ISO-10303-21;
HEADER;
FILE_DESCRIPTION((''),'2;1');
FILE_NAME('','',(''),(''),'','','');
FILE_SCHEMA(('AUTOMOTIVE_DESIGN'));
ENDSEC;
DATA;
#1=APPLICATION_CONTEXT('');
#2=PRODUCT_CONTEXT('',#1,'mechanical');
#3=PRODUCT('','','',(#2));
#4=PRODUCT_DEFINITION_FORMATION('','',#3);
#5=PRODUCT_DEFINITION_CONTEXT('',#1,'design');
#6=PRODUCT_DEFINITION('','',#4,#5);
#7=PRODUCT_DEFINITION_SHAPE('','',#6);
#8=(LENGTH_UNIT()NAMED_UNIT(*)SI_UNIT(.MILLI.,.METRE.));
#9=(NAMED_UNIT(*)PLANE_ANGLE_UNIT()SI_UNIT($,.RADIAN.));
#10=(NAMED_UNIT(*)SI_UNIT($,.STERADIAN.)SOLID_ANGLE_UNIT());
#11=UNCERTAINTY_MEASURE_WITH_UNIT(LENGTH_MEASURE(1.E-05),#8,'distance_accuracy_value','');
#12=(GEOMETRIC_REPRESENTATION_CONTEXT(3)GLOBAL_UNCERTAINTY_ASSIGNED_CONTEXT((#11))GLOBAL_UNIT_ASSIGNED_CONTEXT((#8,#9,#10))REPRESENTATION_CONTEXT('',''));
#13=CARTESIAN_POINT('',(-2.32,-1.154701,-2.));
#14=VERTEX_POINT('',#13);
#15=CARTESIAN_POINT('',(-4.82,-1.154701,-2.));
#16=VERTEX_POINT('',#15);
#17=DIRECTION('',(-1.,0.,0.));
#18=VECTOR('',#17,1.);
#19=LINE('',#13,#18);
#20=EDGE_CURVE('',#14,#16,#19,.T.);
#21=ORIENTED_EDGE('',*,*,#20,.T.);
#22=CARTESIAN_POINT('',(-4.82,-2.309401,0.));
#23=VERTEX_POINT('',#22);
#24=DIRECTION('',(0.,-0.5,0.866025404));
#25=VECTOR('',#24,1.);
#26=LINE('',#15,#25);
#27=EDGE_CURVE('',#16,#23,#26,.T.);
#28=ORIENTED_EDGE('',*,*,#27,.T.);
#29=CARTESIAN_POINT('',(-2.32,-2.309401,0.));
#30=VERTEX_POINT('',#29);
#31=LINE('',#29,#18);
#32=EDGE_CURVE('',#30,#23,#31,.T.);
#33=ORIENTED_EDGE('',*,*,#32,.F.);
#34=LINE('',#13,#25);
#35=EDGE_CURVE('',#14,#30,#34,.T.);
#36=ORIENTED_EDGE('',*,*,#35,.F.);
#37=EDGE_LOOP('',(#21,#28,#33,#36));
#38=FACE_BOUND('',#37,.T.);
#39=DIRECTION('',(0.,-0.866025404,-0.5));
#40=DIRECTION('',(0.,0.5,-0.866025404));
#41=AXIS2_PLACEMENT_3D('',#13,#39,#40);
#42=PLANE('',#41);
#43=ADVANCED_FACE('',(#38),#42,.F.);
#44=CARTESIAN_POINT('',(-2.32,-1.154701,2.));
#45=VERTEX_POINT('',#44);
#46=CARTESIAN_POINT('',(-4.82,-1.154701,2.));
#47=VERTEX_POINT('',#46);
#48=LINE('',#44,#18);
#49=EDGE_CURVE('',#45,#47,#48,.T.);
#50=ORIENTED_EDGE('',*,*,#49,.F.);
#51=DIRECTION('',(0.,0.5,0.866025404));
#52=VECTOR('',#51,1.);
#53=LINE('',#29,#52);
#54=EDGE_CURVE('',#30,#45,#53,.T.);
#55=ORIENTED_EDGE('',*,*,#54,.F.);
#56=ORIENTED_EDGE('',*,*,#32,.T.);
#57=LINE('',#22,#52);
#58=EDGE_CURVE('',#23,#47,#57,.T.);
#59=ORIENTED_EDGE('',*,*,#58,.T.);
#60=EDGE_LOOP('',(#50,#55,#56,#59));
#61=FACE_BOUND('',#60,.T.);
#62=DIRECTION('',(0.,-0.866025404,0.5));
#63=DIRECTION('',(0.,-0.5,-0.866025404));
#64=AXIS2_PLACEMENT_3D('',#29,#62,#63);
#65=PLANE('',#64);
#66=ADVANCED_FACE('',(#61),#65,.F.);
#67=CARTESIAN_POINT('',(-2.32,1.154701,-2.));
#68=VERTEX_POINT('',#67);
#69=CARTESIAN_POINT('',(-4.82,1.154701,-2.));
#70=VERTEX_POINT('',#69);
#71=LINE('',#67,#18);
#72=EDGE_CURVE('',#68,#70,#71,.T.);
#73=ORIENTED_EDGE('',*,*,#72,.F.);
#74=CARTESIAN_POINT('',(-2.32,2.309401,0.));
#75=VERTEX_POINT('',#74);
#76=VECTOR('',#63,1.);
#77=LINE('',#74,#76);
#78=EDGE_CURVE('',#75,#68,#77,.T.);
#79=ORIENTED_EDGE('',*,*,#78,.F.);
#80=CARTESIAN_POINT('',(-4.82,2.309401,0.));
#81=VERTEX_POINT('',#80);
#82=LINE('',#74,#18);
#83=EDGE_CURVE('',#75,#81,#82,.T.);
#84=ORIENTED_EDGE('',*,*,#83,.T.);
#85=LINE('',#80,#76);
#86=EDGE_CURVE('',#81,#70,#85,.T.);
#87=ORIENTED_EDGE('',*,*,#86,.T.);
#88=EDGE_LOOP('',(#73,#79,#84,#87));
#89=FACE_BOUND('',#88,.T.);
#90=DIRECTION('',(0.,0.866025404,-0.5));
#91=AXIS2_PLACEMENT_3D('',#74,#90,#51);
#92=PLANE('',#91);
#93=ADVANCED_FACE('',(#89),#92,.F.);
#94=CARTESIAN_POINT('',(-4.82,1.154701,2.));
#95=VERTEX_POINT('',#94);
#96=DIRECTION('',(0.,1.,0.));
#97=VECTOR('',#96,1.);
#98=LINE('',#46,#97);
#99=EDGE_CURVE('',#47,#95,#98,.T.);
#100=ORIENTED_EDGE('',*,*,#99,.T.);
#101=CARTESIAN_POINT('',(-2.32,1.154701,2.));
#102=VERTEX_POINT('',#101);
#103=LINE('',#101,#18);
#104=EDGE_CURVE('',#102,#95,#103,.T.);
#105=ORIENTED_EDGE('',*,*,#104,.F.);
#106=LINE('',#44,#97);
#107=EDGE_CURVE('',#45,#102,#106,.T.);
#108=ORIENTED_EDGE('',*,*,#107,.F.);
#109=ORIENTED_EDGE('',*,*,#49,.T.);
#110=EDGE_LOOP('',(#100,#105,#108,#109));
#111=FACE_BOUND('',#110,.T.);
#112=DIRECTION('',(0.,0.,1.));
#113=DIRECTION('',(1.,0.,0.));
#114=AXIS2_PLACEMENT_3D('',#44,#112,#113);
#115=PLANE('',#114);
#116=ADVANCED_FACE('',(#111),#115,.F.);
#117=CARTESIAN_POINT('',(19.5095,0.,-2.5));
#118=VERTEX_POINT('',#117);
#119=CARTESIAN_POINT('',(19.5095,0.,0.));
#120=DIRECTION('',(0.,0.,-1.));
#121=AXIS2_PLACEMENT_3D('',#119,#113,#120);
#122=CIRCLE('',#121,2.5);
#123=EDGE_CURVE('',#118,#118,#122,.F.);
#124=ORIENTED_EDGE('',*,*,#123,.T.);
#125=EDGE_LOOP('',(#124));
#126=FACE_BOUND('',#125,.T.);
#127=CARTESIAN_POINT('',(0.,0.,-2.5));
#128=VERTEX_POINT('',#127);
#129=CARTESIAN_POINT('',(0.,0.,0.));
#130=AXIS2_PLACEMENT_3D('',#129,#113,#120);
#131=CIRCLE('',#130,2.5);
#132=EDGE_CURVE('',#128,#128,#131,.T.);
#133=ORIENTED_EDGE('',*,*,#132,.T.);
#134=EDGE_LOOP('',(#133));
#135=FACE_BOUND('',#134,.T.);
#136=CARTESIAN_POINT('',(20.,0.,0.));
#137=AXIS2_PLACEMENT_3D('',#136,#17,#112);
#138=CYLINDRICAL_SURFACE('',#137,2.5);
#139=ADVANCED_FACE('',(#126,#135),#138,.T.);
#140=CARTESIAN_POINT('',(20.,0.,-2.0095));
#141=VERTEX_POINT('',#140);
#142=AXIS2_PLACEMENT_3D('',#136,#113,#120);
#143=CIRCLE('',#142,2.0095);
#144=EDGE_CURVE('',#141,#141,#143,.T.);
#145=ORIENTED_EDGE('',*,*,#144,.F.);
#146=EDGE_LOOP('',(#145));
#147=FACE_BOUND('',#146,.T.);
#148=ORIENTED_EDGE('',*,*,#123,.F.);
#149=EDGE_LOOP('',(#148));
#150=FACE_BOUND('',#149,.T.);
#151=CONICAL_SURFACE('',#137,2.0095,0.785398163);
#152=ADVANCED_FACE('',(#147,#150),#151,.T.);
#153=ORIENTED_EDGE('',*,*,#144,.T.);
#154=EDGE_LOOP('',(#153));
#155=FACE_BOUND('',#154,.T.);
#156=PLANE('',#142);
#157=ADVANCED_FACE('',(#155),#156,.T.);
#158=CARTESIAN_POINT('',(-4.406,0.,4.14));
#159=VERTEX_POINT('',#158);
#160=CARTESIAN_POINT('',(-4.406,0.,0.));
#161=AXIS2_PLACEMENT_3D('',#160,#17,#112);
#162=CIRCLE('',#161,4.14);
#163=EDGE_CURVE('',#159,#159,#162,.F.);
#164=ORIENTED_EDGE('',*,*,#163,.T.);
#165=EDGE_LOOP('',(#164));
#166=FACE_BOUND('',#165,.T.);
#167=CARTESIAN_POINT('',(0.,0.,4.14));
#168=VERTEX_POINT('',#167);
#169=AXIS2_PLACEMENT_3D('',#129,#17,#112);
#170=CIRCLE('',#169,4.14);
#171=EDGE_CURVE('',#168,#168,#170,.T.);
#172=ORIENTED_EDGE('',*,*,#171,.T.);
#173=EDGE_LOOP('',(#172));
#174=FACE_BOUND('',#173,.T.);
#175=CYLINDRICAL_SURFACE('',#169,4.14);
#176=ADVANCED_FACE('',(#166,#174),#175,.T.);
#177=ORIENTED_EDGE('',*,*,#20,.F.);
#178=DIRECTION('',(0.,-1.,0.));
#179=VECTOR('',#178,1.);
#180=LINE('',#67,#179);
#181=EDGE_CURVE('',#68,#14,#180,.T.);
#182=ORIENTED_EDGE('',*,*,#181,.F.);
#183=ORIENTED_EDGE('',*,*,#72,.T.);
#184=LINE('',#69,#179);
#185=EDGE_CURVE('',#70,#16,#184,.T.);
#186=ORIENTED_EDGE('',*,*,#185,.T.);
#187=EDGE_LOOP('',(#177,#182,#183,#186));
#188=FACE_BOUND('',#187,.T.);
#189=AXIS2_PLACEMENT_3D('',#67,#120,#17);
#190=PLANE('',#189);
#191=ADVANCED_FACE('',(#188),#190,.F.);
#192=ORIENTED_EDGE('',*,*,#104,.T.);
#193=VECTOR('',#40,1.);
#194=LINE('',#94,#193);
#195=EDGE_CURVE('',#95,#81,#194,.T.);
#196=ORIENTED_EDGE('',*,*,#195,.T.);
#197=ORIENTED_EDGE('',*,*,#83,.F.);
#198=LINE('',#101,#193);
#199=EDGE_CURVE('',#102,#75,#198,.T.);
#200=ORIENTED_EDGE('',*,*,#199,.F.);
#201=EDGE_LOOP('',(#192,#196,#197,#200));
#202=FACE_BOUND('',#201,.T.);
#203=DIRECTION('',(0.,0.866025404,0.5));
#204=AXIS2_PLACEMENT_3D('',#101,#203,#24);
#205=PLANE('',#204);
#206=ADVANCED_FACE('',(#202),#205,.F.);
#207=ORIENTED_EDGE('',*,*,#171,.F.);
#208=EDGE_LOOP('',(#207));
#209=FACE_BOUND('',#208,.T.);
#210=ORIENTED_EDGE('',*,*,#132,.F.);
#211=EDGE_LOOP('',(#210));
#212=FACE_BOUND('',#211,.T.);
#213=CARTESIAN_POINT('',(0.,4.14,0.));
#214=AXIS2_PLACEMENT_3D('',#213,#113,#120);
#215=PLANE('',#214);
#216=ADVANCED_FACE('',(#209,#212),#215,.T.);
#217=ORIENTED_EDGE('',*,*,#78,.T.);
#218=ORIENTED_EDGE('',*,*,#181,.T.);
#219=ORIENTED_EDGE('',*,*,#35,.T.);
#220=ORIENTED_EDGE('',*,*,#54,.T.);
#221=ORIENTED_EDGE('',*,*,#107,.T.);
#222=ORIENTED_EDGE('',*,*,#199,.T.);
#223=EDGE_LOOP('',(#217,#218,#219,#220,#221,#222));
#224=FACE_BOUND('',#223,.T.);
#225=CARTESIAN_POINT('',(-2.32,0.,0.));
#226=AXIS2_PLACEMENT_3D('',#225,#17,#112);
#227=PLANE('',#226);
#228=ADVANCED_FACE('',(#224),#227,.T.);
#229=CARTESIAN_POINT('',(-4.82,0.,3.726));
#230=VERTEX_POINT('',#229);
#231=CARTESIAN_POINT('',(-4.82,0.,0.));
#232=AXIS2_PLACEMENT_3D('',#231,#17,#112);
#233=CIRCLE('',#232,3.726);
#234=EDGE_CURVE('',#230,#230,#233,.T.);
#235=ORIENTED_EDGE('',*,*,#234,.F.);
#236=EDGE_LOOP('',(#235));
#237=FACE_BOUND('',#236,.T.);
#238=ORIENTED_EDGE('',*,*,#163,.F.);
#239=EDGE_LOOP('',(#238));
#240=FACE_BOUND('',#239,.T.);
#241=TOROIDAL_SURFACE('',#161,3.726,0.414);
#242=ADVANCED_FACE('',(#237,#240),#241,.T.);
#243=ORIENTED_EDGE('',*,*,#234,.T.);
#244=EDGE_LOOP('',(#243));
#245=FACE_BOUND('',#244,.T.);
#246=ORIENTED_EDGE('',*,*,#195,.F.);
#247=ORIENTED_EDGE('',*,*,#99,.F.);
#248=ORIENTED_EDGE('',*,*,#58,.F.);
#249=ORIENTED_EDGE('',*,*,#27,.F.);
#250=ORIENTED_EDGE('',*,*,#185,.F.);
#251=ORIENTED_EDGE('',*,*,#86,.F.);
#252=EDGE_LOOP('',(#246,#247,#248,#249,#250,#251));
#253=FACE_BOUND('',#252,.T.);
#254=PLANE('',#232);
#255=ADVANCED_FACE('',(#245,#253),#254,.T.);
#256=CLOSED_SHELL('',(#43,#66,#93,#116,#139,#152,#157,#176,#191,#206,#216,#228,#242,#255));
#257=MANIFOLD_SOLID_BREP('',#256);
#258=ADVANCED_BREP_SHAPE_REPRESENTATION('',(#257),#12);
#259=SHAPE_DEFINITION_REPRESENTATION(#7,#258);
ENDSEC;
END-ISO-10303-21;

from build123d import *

# Parameters (mm, degrees)
SKETCH1_W           = 4.82
SKETCH1_H           = 4.14
SKETCH2_R           = 2.5
BOSS_EXTRUDE1_DEPTH = 20
CUT_EXTRUDE1_DEPTH  = 2.5
CHAMFER1_SIZE       = 0.4905
FILLET1_R           = 0.414


with BuildPart() as part:
    # Sketch1 → Revolve1 (revolve)
    with BuildSketch(Plane(origin=(0, 0, 0), x_dir=(-1, 0, 0), z_dir=(0, 0, -1)), mode=Mode.PRIVATE) as revolve1_sk:
        with Locations((2.41, 2.07)):
            Rectangle(SKETCH1_W, SKETCH1_H)
    revolve(revolve1_sk.sketch.rotate(Axis((0, 0, 0), (-1, 0, 0)), 270), axis=Axis((0, 0, 0), (-1, 0, 0)))

    # Sketch2 → Boss-Extrude1 (add)
    with BuildSketch(Plane(origin=(0, 0, 0), x_dir=(0, 0, -1), z_dir=(1, 0, 0))):
        Circle(SKETCH2_R)
    extrude(amount=BOSS_EXTRUDE1_DEPTH)

    # Sketch3 → Cut-Extrude1 (cut)
    with BuildSketch(Plane.ZY.offset(4.82)):
        Polygon((-2, -1.154700538), (0, -2.309401077), (2, -1.154700538), (2, 1.154700538), (0, 2.309401077), (-2, 1.154700538), align=None)
    extrude(amount=-CUT_EXTRUDE1_DEPTH, mode=Mode.SUBTRACT)

    # Chamfer1
    chamfer1_edges = [part.edges().sort_by_distance(p)[0] for p in [
        (20, 0, 2.5),
    ]]
    chamfer(chamfer1_edges, length=CHAMFER1_SIZE)

    # Fillet1
    fillet1_edges = [part.edges().sort_by_distance(p)[0] for p in [
        (-4.82, 0, -4.14),
    ]]
    fillet(fillet1_edges, radius=FILLET1_R)


solid = part.part
